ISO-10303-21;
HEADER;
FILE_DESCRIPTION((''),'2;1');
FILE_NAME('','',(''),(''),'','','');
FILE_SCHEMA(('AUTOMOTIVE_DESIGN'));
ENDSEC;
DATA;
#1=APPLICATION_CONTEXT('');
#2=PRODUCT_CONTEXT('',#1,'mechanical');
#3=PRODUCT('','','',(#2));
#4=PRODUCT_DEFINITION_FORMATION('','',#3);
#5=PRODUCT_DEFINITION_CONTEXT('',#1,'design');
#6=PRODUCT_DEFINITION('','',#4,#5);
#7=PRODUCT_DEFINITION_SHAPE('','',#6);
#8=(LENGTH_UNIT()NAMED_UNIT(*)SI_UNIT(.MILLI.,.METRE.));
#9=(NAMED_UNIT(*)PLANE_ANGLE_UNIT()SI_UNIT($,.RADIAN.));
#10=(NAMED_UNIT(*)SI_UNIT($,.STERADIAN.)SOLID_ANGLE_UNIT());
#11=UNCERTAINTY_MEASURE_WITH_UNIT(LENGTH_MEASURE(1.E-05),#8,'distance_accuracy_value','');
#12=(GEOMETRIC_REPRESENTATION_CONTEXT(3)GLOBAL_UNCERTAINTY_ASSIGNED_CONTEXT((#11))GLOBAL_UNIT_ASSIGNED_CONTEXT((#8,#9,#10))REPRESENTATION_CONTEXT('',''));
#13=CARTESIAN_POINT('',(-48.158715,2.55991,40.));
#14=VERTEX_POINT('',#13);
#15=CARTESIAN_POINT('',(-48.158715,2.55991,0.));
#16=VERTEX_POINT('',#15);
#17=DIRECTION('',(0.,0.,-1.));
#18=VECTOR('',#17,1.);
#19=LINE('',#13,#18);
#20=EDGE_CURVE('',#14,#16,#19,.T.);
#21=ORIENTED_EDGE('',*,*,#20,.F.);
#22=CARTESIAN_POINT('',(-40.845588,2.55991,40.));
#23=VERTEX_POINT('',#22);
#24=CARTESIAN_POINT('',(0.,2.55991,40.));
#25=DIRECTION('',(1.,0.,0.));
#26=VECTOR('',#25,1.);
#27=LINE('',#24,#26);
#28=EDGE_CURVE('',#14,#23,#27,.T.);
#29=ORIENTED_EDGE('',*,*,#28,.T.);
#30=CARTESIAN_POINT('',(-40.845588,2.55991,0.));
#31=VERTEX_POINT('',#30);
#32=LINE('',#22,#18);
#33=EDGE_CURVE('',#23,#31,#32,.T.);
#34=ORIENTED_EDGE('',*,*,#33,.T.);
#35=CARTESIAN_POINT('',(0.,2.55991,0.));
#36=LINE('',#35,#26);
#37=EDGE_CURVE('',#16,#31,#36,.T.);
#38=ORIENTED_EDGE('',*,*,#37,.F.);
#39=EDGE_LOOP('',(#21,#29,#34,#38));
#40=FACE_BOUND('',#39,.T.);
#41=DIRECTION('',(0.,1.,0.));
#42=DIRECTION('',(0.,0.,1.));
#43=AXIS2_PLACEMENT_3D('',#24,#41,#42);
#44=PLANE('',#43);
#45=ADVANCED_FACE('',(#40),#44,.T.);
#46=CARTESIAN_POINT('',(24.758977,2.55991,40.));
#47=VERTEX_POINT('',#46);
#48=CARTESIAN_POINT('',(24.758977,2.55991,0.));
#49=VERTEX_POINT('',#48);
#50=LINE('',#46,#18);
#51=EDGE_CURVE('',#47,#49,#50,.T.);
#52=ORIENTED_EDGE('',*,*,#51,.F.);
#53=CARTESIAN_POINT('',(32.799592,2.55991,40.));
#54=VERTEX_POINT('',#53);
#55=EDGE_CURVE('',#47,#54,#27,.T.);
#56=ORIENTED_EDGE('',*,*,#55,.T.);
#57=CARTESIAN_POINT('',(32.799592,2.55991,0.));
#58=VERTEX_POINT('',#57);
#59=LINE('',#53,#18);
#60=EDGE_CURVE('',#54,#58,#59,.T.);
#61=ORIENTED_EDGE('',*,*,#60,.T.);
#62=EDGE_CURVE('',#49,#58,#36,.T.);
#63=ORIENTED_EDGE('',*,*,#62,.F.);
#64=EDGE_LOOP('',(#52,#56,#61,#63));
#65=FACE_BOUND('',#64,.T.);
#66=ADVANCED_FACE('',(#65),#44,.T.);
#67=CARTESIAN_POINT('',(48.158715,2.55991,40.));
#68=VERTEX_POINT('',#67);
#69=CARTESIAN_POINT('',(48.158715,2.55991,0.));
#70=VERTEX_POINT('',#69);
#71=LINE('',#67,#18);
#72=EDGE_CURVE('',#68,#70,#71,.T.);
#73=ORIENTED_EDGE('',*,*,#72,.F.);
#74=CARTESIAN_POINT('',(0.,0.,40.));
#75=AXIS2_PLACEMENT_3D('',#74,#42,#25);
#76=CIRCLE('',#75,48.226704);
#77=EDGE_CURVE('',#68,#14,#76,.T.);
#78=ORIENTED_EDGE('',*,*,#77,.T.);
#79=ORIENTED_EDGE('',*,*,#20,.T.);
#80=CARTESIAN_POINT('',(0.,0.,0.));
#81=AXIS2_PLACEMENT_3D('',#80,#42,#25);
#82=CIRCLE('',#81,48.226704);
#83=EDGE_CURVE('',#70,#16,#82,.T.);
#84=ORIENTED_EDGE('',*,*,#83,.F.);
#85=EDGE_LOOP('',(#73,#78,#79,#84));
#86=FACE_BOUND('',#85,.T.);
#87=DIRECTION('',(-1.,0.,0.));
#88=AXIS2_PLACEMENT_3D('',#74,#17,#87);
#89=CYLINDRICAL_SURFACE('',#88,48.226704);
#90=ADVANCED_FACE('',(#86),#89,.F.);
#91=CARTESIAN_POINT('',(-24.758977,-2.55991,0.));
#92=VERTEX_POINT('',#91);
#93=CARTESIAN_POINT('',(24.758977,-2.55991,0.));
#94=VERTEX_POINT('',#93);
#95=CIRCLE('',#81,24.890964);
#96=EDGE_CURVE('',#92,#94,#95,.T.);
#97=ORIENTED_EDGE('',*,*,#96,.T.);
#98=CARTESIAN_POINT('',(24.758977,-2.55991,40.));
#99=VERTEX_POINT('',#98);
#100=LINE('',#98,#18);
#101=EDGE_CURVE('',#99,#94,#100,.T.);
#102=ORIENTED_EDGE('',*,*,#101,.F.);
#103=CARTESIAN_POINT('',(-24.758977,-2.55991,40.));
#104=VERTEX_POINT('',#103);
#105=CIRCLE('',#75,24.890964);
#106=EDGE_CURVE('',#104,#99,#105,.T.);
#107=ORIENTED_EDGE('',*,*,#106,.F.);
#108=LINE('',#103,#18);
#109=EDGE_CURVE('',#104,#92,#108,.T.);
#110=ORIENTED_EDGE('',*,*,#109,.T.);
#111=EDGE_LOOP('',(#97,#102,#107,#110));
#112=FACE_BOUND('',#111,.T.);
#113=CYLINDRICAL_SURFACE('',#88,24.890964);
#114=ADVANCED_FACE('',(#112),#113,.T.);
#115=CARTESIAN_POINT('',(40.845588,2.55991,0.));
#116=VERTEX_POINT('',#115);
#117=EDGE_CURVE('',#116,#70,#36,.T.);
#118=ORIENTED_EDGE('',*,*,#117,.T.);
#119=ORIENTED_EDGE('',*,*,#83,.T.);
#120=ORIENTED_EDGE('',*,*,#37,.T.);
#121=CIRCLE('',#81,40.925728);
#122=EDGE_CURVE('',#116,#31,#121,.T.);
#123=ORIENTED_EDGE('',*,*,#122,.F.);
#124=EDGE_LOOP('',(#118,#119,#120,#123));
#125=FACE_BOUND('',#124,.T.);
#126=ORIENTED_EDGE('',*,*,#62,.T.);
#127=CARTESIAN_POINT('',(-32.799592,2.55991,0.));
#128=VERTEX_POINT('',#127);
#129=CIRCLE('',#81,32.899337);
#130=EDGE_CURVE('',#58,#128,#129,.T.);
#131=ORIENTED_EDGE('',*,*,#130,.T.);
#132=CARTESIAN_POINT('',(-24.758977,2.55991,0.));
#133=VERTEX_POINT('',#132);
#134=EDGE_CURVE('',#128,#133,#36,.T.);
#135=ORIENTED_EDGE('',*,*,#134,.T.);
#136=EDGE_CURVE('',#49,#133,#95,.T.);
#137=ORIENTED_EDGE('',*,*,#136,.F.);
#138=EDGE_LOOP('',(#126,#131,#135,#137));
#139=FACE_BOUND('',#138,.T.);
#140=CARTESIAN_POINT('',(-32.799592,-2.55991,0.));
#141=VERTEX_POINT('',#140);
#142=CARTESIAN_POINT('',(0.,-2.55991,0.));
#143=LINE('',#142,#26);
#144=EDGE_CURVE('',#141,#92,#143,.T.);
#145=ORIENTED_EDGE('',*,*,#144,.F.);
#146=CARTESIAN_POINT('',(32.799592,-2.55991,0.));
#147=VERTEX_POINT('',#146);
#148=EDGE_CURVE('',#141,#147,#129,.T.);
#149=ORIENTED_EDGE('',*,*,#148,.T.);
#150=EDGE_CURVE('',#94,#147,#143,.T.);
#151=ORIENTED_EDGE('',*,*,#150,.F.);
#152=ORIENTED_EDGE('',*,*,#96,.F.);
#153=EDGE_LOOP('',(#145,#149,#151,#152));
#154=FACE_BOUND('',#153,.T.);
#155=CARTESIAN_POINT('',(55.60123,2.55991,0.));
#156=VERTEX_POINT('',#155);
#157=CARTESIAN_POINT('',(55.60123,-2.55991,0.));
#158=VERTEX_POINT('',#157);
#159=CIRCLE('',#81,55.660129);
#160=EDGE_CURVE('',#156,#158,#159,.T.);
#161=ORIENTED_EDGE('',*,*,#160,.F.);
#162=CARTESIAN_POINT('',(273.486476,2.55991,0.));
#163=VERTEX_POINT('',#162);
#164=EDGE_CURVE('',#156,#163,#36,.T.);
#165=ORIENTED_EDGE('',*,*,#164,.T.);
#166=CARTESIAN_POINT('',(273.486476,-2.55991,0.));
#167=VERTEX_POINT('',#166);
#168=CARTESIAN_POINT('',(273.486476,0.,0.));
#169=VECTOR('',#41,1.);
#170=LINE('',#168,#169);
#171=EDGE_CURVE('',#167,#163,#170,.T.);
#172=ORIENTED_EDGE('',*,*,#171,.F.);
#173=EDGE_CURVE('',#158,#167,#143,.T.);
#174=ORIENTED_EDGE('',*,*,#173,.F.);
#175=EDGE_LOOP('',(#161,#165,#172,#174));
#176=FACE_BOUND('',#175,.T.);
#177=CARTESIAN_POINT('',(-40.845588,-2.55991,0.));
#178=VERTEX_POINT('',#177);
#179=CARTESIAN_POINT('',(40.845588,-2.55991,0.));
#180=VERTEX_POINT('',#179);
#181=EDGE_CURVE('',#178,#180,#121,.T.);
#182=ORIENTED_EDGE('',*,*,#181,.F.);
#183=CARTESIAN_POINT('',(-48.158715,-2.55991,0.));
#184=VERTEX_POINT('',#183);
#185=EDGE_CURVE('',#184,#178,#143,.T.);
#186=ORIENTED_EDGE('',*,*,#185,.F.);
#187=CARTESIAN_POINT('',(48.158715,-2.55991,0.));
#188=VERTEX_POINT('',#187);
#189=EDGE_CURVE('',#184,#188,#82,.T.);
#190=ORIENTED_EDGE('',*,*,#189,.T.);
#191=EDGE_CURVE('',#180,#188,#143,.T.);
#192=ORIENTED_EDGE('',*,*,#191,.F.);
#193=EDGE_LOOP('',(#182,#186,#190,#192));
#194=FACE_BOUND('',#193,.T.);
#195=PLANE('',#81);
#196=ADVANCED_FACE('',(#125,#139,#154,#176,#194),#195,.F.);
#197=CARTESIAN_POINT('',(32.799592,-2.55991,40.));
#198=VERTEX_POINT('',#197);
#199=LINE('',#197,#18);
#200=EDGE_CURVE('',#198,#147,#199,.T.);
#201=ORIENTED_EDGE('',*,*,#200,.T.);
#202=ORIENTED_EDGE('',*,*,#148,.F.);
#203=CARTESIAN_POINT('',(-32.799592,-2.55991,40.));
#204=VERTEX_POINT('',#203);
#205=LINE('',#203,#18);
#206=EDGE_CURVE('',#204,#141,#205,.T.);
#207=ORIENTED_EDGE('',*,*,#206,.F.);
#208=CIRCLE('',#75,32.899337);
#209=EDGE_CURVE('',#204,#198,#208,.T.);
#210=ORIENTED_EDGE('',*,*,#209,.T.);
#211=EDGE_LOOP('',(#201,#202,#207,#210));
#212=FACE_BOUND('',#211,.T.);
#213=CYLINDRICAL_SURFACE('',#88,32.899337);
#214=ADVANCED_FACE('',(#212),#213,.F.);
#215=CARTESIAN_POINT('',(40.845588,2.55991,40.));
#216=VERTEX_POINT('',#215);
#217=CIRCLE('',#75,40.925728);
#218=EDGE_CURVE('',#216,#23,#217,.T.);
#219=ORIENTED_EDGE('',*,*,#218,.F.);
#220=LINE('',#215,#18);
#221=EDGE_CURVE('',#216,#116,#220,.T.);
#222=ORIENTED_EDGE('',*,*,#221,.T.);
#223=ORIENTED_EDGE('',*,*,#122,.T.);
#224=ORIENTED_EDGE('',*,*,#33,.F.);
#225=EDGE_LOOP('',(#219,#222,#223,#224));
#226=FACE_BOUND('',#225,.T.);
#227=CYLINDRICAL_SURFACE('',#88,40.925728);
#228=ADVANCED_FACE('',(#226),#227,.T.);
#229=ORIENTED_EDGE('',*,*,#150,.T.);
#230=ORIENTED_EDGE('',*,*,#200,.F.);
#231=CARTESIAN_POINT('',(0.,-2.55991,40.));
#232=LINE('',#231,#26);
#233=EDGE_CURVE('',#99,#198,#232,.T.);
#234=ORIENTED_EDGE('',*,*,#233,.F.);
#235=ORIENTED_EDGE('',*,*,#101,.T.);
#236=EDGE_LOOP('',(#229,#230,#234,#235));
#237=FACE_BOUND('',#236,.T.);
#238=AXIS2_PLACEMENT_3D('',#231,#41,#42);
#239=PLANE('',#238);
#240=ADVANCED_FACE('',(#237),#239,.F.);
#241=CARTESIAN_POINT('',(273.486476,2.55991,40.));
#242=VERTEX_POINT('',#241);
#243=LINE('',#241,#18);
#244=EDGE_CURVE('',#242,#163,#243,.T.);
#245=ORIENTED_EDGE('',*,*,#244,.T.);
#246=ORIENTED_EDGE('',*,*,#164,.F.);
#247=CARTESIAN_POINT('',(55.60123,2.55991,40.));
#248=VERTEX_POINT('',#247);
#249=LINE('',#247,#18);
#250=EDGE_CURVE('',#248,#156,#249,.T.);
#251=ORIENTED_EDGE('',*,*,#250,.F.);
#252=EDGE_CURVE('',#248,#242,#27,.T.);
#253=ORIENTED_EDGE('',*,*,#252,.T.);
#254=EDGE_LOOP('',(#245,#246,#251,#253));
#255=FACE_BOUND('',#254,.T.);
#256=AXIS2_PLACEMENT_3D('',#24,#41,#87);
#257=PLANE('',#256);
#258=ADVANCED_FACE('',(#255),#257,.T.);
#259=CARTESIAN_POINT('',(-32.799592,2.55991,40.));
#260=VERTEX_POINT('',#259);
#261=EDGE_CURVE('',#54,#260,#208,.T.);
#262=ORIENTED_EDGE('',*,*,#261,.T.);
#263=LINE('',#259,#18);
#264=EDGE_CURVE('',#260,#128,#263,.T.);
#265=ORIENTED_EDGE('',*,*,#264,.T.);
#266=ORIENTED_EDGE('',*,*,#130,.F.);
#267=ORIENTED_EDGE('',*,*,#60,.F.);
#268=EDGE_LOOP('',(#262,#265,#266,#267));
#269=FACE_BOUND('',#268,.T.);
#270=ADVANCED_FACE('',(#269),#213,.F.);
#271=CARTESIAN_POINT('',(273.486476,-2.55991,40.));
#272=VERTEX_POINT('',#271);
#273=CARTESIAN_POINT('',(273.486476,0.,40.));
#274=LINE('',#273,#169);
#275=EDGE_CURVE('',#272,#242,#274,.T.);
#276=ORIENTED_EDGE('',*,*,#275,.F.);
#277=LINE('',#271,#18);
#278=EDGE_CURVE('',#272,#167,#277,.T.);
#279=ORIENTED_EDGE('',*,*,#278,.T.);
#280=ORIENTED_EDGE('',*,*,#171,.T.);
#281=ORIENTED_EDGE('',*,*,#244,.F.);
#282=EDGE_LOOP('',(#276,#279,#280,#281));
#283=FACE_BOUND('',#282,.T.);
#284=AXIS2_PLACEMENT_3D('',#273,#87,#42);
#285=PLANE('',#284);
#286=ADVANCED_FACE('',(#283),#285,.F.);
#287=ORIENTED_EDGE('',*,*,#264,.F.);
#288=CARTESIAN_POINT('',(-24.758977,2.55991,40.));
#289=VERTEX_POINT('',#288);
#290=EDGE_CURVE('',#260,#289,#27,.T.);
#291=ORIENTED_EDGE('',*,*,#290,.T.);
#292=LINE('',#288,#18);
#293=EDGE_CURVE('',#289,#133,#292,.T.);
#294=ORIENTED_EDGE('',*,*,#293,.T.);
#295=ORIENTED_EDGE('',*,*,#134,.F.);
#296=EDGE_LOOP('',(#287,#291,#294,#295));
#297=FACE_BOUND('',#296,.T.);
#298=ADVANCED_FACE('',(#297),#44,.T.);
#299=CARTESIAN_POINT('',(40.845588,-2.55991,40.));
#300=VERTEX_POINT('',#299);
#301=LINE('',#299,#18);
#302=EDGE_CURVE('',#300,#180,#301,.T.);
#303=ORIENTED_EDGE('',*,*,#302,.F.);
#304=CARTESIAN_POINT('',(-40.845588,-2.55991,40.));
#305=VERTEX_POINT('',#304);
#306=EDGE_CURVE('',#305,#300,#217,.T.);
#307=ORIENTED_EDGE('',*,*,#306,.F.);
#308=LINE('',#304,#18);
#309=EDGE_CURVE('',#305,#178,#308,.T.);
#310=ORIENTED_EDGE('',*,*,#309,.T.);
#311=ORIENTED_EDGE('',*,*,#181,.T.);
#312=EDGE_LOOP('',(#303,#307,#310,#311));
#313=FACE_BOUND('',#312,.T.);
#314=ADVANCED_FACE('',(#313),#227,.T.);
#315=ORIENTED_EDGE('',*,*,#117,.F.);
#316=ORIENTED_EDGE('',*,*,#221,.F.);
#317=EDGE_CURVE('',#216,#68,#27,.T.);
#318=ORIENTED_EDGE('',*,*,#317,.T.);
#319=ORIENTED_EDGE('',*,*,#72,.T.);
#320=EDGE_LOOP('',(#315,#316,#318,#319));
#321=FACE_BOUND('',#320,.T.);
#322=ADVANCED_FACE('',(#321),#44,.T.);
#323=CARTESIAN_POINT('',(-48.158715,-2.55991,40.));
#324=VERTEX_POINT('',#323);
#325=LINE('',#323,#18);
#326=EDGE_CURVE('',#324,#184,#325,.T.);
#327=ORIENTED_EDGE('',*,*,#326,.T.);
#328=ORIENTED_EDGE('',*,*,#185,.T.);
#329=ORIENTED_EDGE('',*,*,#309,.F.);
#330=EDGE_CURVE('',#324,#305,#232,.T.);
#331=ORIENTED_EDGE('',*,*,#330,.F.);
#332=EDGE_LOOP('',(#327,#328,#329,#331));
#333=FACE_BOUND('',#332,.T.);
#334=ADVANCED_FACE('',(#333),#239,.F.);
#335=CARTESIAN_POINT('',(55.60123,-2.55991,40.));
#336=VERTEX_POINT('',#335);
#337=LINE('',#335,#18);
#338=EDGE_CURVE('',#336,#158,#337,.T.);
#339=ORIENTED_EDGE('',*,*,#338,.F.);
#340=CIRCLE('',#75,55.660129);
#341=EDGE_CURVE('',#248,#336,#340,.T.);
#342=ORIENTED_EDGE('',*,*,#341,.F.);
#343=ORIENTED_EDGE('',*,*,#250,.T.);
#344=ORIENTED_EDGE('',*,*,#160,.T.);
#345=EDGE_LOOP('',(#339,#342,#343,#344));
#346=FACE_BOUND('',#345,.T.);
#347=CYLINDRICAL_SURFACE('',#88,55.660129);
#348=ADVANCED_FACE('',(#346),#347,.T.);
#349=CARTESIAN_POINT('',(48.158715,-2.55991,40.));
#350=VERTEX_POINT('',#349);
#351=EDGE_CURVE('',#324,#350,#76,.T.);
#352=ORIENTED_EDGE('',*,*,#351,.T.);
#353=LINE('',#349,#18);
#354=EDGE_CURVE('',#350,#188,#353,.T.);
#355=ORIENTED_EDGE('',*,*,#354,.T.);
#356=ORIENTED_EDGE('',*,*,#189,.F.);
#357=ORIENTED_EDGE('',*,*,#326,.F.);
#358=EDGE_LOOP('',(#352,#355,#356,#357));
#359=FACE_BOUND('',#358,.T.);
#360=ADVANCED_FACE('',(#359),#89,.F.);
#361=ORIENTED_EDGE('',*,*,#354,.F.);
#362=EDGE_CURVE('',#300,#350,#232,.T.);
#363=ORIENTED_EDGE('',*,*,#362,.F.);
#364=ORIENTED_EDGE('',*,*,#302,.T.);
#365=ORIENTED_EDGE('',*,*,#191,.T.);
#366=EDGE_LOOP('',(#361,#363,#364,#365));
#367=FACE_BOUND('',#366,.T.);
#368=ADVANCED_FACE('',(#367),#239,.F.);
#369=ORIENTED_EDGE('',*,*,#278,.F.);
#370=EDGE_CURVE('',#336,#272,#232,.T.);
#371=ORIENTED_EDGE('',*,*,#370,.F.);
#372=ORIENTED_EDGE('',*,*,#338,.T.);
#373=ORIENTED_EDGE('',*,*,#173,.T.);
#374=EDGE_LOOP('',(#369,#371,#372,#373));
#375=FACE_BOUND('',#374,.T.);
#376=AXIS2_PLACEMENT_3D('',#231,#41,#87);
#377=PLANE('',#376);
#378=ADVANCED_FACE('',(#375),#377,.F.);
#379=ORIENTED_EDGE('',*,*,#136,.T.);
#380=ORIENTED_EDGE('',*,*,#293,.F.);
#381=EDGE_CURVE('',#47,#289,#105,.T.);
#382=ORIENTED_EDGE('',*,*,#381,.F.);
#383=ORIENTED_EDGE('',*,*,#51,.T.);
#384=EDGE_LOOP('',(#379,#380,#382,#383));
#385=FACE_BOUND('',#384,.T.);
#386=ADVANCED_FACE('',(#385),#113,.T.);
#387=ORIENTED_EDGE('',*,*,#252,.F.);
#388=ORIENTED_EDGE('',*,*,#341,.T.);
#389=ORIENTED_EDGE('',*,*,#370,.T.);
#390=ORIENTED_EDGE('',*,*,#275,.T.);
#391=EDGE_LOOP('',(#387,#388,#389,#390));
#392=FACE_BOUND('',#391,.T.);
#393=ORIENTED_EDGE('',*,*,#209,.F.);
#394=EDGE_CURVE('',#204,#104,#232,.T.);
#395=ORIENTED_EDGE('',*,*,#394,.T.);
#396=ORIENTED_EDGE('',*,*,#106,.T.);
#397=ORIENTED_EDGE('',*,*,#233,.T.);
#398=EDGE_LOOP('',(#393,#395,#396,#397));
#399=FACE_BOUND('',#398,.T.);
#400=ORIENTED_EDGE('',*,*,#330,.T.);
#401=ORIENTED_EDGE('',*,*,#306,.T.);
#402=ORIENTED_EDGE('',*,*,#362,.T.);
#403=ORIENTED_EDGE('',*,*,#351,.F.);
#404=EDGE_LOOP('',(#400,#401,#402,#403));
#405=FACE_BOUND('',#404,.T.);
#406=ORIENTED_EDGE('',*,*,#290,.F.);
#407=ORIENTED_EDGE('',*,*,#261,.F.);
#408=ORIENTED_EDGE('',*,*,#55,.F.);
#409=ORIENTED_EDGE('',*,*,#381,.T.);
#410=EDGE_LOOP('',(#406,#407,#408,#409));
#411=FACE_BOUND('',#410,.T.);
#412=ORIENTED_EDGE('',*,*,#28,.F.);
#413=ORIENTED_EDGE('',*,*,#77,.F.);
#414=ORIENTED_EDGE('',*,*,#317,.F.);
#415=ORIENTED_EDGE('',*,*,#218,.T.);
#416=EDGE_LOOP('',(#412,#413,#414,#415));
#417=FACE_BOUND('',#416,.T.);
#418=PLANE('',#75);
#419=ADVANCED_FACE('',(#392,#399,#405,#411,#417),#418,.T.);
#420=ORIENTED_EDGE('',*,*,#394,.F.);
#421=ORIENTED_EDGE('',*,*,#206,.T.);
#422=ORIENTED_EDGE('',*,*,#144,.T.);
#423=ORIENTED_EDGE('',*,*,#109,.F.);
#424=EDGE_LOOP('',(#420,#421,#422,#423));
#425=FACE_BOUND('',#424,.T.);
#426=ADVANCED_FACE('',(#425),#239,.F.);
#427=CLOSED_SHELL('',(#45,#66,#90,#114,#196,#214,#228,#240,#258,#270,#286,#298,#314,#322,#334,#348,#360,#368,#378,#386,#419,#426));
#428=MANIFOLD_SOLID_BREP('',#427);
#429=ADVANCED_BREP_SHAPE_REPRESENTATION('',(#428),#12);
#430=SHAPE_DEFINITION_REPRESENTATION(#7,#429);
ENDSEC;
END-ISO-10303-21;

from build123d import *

# Parameters (mm, degrees)
EXTRUDE_4_DEPTH = 40


with BuildPart() as part:
    # 草图2 → 凸台-拉伸4 (new body)
    with BuildSketch(Plane.XY):
        with BuildLine():
            Line((55.601230388, 2.559909891), (273.486476264, 2.559909891))
            Line((273.486476264, 2.559909891), (273.486476264, -2.559909891))
            Line((273.486476264, -2.559909891), (55.601230388, -2.559909891))
            ThreePointArc((55.601230388, -2.559909891), (-55.660128991, 0), (55.601230388, 2.559909891))
        make_face()
        with BuildLine():
            ThreePointArc((32.799591871, 2.559909891), (0, 32.899336856), (-32.799591871, 2.559909891))
            Line((-32.799591871, 2.559909891), (-24.758977016, 2.559909891))
            ThreePointArc((-24.758977016, 2.559909891), (0, 24.890963853), (24.758977016, 2.559909891))
            Line((24.758977016, 2.559909891), (32.799591871, 2.559909891))
        make_face(mode=Mode.SUBTRACT)
        with BuildLine():
            Line((-48.158715074, -2.559909891), (-40.845588283, -2.559909891))
            ThreePointArc((-40.845588283, -2.559909891), (0, -40.925728104), (40.845588283, -2.559909891))
            Line((40.845588283, -2.559909891), (48.158715074, -2.559909891))
            ThreePointArc((48.158715074, -2.559909891), (0, -48.226703974), (-48.158715074, -2.559909891))
        make_face(mode=Mode.SUBTRACT)
        with BuildLine():
            Line((40.845588283, 2.559909891), (48.158715074, 2.559909891))
            ThreePointArc((48.158715074, 2.559909891), (0, 48.226703974), (-48.158715074, 2.559909891))
            Line((-48.158715074, 2.559909891), (-40.845588283, 2.559909891))
            ThreePointArc((-40.845588283, 2.559909891), (0, 40.925728104), (40.845588283, 2.559909891))
        make_face(mode=Mode.SUBTRACT)
        with BuildLine():
            Line((-32.799591871, -2.559909891), (-24.758977016, -2.559909891))
            ThreePointArc((-24.758977016, -2.559909891), (0, -24.890963853), (24.758977016, -2.559909891))
            Line((24.758977016, -2.559909891), (32.799591871, -2.559909891))
            ThreePointArc((32.799591871, -2.559909891), (0, -32.899336856), (-32.799591871, -2.559909891))
        make_face(mode=Mode.SUBTRACT)
    extrude(amount=EXTRUDE_4_DEPTH)


solid = part.part
